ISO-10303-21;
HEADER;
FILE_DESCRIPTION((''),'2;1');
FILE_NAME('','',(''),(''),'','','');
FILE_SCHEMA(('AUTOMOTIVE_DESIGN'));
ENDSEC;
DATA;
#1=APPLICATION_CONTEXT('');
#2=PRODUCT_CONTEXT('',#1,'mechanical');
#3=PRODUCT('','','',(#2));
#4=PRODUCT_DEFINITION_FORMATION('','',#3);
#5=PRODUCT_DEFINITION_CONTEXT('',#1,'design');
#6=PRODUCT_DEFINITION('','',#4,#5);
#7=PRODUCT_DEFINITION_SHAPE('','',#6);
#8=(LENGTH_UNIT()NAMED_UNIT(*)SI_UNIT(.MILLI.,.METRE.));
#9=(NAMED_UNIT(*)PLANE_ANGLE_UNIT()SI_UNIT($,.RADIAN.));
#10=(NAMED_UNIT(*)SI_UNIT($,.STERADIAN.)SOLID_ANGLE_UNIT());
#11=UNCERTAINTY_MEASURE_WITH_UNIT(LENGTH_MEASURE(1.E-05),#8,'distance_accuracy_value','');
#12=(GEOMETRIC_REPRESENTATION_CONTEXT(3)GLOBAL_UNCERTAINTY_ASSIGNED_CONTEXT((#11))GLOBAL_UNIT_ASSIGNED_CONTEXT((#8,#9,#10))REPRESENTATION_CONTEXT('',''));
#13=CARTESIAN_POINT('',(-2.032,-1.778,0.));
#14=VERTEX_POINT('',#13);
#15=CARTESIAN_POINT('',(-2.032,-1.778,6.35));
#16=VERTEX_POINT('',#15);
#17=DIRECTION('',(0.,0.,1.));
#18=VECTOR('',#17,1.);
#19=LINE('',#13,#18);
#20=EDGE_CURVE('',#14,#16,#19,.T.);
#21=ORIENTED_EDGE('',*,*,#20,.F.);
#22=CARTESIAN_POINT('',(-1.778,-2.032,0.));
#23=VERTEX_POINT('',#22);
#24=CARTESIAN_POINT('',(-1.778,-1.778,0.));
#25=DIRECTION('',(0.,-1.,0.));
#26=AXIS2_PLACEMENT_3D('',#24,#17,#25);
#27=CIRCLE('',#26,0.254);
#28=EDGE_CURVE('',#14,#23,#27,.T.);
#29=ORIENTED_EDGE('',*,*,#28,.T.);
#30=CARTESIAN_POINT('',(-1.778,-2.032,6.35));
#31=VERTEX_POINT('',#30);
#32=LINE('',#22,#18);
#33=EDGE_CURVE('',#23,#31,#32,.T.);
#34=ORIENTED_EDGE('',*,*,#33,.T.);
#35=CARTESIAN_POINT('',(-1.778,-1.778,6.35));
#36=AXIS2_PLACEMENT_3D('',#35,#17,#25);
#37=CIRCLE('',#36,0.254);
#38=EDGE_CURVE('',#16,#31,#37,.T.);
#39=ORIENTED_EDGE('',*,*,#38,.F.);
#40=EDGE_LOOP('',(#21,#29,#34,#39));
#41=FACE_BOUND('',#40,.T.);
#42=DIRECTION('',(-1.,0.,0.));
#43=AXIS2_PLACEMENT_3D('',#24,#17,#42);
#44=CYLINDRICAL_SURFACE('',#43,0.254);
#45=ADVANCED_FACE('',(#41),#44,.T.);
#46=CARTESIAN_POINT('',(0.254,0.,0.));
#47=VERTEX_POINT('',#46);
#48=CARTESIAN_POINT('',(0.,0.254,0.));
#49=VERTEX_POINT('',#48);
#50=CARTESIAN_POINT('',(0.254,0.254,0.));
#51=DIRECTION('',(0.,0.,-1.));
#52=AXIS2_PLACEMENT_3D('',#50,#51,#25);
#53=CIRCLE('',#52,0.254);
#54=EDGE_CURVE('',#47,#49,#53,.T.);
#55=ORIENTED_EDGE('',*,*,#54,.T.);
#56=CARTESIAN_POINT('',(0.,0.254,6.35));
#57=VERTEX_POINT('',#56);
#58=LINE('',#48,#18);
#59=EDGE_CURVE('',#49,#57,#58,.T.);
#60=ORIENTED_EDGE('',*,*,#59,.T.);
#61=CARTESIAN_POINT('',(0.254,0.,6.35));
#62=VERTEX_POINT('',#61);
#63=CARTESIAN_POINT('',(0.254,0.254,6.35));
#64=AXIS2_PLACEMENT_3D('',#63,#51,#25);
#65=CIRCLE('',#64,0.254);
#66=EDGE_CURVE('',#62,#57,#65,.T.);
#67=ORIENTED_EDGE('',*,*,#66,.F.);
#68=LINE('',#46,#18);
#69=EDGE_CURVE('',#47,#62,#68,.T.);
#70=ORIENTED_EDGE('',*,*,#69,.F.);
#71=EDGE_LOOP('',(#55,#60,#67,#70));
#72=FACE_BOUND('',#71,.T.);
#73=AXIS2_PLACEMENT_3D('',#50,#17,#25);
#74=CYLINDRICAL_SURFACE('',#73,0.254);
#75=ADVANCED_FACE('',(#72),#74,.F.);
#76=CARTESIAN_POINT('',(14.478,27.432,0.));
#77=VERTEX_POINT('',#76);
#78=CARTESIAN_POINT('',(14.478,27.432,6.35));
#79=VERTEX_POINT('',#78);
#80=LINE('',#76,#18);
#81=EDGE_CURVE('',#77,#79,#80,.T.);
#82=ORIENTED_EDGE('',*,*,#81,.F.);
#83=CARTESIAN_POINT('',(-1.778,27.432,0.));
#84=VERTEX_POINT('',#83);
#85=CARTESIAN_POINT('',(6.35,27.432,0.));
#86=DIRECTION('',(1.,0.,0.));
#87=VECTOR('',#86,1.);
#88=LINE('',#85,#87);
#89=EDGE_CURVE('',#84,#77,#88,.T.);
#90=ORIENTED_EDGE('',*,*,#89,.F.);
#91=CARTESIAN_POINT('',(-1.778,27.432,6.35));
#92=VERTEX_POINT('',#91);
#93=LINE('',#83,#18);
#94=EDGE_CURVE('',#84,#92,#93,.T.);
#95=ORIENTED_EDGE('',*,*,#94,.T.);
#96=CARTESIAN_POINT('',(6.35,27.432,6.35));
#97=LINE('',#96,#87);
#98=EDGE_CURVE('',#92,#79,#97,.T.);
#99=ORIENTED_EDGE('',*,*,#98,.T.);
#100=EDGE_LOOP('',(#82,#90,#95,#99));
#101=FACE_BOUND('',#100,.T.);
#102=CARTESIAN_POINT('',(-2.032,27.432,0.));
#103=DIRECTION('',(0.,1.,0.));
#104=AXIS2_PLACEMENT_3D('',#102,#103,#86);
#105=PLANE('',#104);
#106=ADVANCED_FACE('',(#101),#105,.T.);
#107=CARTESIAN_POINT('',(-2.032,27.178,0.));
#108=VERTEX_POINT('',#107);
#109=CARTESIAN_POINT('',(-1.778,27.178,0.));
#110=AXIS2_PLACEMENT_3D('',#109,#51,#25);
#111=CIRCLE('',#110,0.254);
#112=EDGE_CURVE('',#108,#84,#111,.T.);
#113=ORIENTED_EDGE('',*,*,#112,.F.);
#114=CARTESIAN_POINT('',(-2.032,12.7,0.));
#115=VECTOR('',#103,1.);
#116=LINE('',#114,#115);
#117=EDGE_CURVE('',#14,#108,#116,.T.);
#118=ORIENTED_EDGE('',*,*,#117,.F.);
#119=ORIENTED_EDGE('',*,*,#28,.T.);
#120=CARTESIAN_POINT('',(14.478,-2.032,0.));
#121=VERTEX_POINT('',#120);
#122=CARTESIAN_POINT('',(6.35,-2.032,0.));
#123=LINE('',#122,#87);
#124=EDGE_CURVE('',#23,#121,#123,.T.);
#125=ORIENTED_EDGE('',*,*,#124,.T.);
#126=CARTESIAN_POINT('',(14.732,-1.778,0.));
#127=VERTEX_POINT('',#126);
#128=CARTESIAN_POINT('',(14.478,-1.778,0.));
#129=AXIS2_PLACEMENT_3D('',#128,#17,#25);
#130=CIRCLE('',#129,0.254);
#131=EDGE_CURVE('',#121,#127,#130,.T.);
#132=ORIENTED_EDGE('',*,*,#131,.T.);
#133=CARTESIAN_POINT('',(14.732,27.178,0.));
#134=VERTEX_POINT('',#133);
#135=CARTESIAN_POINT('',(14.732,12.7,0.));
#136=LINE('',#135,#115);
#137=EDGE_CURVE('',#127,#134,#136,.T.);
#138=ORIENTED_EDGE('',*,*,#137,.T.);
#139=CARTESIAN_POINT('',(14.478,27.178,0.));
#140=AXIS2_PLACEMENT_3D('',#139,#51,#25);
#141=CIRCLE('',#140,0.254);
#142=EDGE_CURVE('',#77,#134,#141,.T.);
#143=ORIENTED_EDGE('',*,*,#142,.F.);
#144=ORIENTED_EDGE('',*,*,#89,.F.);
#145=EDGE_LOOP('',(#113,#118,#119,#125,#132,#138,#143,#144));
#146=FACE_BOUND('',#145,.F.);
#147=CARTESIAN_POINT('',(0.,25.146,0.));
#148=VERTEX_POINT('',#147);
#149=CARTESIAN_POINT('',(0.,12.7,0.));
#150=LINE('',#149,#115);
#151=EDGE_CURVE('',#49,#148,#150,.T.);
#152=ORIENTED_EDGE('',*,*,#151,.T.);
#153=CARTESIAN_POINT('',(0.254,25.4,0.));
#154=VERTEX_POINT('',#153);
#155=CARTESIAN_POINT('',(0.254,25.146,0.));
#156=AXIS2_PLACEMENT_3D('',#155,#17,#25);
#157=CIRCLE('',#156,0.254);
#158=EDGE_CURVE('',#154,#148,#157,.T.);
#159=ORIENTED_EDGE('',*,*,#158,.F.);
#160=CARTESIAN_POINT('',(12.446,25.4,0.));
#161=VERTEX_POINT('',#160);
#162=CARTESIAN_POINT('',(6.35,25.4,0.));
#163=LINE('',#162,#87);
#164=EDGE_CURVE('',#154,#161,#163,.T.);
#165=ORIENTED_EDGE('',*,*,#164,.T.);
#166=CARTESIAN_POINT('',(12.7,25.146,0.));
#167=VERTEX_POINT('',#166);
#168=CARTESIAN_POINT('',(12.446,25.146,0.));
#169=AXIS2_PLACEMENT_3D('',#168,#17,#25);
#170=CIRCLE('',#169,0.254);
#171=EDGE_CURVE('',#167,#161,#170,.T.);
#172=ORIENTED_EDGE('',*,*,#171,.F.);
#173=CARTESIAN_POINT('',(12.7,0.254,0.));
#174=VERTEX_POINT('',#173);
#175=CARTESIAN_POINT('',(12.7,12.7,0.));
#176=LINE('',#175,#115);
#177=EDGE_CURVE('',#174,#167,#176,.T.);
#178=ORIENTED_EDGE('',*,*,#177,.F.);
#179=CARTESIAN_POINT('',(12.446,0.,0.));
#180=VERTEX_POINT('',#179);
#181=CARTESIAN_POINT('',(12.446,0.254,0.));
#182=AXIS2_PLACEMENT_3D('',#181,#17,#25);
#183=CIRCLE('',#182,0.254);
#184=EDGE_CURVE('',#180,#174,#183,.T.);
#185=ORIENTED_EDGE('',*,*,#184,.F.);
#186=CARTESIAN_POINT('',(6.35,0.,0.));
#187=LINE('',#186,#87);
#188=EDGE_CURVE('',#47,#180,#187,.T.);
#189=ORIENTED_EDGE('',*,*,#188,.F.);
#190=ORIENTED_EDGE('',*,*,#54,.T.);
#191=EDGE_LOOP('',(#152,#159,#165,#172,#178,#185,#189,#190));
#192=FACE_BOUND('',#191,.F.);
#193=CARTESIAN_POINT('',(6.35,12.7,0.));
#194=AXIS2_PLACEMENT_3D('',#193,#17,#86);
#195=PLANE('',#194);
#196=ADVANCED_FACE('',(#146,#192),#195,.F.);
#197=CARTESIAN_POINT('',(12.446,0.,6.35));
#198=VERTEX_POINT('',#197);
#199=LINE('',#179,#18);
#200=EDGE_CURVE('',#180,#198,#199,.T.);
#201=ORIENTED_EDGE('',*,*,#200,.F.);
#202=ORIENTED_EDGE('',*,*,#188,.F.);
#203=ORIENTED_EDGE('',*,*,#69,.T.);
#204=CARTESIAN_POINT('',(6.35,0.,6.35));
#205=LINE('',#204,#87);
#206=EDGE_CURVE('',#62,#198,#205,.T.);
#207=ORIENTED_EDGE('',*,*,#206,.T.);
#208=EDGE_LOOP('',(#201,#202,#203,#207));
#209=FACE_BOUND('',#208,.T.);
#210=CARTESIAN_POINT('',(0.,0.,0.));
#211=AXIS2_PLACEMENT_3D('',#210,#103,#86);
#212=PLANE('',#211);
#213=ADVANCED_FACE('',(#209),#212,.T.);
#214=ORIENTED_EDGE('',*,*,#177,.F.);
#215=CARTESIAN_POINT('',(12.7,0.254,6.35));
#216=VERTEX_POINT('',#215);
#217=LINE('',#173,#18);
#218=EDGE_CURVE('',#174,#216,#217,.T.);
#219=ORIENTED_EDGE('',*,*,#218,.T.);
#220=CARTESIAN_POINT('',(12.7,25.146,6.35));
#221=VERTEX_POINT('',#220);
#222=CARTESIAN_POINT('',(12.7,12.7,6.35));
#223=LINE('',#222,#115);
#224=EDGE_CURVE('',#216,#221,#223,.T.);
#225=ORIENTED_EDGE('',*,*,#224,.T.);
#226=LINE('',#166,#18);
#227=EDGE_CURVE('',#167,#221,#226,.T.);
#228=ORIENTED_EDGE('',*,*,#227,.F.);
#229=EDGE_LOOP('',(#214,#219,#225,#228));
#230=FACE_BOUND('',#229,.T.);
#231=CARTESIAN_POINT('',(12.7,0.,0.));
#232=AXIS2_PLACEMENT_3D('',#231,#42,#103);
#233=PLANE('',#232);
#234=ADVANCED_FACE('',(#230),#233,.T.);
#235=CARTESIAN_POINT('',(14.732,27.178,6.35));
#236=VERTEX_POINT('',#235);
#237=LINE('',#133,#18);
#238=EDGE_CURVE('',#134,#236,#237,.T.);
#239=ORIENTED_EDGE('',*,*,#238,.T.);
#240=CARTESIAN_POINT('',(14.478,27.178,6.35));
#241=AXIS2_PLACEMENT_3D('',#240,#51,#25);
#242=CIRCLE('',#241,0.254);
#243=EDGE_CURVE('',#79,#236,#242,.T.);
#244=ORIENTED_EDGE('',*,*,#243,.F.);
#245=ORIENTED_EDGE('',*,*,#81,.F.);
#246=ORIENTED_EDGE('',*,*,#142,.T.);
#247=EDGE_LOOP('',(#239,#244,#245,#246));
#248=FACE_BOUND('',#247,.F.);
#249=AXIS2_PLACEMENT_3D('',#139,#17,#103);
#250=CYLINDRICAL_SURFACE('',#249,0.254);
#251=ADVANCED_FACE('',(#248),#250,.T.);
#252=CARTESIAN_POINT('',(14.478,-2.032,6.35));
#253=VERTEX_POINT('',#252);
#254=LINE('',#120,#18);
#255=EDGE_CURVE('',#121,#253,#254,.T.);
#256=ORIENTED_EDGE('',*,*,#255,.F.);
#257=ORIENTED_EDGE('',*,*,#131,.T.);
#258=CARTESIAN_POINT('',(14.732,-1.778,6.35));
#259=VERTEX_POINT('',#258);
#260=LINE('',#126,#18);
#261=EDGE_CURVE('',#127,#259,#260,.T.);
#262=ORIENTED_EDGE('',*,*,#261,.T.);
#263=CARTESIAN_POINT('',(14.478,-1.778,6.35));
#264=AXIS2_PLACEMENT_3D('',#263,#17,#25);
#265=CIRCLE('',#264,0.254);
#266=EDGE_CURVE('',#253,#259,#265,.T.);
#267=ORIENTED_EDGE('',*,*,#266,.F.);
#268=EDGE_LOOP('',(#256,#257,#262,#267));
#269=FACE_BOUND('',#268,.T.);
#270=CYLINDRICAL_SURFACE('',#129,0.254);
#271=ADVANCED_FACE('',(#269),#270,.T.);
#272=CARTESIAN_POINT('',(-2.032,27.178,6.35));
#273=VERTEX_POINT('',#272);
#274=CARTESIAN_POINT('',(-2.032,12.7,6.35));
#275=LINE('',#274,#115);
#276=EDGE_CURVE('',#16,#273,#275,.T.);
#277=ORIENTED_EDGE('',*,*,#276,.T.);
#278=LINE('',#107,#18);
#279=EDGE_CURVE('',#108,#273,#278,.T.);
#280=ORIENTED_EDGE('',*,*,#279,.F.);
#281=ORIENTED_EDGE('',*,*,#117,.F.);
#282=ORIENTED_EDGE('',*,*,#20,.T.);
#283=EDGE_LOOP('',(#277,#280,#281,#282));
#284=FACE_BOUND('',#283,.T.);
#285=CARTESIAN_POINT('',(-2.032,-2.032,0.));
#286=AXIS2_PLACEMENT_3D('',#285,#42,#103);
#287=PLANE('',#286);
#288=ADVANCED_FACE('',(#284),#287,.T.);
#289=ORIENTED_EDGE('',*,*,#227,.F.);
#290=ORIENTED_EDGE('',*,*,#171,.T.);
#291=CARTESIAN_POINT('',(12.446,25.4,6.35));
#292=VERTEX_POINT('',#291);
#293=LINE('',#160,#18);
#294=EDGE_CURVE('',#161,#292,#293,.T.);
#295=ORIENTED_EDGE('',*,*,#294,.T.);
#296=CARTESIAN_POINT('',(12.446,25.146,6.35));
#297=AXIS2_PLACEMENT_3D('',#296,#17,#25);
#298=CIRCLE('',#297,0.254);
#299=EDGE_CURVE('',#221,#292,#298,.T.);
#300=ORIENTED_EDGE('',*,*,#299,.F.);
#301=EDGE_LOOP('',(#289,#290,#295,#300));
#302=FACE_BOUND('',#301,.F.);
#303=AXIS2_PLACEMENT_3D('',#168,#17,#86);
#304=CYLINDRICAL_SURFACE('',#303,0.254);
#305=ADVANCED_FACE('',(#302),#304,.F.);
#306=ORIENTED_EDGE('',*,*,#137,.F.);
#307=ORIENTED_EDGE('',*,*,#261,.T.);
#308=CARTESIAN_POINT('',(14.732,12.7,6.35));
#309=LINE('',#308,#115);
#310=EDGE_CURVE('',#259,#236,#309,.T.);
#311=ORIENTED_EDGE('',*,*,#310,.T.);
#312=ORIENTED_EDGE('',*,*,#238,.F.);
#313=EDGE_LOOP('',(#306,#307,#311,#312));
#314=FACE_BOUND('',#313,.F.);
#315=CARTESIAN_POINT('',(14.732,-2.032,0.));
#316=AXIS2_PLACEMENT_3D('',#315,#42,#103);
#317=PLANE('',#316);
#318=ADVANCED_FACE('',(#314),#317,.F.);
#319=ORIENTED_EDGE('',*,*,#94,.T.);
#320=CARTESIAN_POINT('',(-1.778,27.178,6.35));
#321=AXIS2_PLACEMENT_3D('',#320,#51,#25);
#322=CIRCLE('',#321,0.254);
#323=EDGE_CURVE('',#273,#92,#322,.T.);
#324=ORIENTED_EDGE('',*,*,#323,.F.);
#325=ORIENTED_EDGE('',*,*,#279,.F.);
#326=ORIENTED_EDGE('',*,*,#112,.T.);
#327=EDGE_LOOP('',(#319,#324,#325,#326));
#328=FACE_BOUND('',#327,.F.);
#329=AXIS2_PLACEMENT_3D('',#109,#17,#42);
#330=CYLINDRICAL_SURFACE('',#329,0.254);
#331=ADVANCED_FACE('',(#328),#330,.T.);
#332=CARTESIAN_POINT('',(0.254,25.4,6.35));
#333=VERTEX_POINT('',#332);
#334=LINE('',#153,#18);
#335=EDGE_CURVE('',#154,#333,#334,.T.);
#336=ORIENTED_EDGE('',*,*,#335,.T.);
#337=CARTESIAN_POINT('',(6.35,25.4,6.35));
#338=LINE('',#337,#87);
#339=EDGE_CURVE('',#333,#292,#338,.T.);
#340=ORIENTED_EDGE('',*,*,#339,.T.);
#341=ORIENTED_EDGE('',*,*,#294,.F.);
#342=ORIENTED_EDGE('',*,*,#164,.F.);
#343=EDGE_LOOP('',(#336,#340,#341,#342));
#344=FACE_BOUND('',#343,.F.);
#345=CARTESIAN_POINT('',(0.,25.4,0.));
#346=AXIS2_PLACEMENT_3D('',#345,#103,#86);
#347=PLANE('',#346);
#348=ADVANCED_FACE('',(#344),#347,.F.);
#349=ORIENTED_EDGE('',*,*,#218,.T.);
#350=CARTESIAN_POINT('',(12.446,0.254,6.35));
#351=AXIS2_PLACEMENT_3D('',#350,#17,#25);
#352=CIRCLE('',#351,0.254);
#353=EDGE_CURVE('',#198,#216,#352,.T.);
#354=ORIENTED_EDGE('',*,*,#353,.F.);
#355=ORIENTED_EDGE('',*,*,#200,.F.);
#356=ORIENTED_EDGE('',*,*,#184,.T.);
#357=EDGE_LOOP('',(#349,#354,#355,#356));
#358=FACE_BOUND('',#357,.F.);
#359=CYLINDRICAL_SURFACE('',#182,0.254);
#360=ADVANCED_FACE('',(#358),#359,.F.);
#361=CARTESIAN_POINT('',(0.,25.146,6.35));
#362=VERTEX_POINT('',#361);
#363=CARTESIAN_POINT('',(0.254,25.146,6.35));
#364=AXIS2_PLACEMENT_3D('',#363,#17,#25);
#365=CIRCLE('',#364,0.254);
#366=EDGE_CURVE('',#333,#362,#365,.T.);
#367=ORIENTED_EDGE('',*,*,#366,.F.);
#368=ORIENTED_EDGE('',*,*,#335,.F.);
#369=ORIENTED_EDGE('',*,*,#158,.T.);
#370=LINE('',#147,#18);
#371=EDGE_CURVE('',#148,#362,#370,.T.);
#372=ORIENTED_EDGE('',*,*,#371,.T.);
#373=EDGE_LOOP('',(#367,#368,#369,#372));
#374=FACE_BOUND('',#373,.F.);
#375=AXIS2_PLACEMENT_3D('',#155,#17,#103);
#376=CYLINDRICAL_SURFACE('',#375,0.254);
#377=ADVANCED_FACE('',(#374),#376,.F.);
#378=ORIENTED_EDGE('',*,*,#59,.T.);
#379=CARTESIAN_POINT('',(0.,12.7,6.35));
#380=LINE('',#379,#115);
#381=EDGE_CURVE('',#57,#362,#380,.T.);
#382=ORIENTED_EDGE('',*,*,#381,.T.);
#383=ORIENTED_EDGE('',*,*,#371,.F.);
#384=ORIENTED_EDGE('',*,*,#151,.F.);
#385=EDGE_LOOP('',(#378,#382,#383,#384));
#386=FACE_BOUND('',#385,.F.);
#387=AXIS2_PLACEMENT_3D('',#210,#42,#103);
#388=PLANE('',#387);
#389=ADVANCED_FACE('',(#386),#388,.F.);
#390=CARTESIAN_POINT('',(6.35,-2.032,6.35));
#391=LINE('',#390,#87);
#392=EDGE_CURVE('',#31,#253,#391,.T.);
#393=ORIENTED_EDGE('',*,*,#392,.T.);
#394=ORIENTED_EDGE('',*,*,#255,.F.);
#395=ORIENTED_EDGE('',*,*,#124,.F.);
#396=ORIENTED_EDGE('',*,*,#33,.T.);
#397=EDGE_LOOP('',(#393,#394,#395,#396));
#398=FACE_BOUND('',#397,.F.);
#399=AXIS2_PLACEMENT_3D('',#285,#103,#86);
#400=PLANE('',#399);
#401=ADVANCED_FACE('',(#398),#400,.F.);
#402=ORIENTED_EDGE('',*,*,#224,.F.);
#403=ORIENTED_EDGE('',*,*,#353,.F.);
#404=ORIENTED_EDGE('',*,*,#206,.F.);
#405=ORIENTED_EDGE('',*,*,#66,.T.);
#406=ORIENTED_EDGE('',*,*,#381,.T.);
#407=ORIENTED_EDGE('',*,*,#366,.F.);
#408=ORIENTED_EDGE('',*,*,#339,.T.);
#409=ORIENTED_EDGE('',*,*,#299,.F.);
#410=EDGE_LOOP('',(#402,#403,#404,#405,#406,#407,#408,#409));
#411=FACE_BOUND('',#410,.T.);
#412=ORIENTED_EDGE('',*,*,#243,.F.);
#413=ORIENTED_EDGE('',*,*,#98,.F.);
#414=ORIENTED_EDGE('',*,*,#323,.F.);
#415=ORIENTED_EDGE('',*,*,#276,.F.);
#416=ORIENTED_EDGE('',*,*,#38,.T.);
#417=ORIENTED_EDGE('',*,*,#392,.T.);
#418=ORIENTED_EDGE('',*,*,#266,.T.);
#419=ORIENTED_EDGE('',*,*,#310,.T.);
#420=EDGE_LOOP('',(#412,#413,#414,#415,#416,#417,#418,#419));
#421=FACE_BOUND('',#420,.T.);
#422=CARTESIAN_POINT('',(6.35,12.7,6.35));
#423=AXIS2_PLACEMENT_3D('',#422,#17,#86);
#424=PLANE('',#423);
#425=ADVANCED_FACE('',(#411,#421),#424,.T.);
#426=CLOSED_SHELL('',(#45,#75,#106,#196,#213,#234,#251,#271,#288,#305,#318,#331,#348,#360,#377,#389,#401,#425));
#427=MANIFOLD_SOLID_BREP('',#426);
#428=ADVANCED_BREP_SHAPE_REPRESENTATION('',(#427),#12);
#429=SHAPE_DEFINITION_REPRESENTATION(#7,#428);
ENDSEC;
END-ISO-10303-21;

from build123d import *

# Parameters (mm, degrees)
F0_W     = 16.764
F0_H     = 29.464
F0_W_2   = 12.7
F0_H_2   = 25.4
F1_DEPTH = 6.35
F2_R     = 0.254


with BuildPart() as f1:
    # F0 (on Top) → F1 (new body)
    with BuildSketch(Plane.XY):
        with Locations((6.35, 12.7)):
            Rectangle(F0_W, F0_H)
        with Locations((6.35, 12.7)):
            Rectangle(F0_W_2, F0_H_2, mode=Mode.SUBTRACT)
    extrude(amount=F1_DEPTH)

    # F2
    f2_edges = [f1.edges().sort_by_distance(p)[0] for p in [
        (14.732, -2.032, 3.175),
        (-2.032, -2.032, 3.175),
        (14.732, 27.432, 3.175),
        (-2.032, 27.432, 3.175),
        (12.7, 0, 3.175),
        (12.7, 25.4, 3.175),
        (0, 25.4, 3.175),
        (0, 0, 3.175),
    ]]
    fillet(f2_edges, radius=F2_R)


solid = f1.part
